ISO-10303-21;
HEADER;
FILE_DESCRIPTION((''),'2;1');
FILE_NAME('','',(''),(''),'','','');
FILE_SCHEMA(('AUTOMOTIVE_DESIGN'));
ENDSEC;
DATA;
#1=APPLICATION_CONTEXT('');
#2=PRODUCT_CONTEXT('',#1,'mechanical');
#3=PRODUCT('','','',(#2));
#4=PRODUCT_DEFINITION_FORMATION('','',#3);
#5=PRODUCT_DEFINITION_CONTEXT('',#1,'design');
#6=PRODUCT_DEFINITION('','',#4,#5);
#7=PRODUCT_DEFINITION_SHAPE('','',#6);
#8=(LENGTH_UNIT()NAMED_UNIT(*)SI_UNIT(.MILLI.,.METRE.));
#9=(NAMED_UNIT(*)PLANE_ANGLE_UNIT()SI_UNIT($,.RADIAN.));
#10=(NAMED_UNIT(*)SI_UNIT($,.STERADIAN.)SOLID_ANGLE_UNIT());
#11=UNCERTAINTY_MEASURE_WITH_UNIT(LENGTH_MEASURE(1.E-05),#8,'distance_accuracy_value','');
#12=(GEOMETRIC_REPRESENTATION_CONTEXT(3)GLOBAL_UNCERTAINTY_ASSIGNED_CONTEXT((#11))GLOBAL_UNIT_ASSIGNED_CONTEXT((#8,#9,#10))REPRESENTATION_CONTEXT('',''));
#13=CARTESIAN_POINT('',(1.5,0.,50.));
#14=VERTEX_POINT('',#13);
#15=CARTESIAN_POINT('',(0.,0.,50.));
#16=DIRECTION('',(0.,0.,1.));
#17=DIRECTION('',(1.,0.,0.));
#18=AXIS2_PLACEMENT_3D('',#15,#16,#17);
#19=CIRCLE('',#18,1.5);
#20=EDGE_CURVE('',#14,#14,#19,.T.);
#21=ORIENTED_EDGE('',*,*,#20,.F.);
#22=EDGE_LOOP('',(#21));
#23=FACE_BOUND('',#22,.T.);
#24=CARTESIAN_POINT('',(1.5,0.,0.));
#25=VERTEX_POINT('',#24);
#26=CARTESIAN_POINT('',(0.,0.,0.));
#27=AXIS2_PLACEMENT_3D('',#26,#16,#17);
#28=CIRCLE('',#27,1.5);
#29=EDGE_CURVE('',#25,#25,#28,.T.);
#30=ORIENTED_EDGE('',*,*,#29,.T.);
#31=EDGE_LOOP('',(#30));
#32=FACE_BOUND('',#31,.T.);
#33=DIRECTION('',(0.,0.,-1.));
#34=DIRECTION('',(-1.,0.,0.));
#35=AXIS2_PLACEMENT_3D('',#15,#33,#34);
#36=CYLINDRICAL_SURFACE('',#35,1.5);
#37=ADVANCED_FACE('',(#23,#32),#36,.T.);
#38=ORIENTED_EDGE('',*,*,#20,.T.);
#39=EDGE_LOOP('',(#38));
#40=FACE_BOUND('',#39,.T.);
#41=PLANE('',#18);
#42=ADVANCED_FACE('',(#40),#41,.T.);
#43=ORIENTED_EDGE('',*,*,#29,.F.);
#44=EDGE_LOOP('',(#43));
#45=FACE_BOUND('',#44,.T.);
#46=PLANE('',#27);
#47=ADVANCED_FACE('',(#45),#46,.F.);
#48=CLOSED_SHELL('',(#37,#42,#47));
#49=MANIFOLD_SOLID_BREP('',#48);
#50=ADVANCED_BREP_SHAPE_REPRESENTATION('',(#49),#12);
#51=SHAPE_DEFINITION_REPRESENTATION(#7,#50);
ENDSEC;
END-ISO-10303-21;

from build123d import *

# Parameters (mm, degrees)
SKETCH1_R           = 1.5
BOSS_EXTRUDE1_DEPTH = 50


with BuildPart() as part:
    # Sketch1 → Boss-Extrude1 (new body)
    with BuildSketch(Plane.XY):
        Circle(SKETCH1_R)
    extrude(amount=BOSS_EXTRUDE1_DEPTH)


solid = part.part
